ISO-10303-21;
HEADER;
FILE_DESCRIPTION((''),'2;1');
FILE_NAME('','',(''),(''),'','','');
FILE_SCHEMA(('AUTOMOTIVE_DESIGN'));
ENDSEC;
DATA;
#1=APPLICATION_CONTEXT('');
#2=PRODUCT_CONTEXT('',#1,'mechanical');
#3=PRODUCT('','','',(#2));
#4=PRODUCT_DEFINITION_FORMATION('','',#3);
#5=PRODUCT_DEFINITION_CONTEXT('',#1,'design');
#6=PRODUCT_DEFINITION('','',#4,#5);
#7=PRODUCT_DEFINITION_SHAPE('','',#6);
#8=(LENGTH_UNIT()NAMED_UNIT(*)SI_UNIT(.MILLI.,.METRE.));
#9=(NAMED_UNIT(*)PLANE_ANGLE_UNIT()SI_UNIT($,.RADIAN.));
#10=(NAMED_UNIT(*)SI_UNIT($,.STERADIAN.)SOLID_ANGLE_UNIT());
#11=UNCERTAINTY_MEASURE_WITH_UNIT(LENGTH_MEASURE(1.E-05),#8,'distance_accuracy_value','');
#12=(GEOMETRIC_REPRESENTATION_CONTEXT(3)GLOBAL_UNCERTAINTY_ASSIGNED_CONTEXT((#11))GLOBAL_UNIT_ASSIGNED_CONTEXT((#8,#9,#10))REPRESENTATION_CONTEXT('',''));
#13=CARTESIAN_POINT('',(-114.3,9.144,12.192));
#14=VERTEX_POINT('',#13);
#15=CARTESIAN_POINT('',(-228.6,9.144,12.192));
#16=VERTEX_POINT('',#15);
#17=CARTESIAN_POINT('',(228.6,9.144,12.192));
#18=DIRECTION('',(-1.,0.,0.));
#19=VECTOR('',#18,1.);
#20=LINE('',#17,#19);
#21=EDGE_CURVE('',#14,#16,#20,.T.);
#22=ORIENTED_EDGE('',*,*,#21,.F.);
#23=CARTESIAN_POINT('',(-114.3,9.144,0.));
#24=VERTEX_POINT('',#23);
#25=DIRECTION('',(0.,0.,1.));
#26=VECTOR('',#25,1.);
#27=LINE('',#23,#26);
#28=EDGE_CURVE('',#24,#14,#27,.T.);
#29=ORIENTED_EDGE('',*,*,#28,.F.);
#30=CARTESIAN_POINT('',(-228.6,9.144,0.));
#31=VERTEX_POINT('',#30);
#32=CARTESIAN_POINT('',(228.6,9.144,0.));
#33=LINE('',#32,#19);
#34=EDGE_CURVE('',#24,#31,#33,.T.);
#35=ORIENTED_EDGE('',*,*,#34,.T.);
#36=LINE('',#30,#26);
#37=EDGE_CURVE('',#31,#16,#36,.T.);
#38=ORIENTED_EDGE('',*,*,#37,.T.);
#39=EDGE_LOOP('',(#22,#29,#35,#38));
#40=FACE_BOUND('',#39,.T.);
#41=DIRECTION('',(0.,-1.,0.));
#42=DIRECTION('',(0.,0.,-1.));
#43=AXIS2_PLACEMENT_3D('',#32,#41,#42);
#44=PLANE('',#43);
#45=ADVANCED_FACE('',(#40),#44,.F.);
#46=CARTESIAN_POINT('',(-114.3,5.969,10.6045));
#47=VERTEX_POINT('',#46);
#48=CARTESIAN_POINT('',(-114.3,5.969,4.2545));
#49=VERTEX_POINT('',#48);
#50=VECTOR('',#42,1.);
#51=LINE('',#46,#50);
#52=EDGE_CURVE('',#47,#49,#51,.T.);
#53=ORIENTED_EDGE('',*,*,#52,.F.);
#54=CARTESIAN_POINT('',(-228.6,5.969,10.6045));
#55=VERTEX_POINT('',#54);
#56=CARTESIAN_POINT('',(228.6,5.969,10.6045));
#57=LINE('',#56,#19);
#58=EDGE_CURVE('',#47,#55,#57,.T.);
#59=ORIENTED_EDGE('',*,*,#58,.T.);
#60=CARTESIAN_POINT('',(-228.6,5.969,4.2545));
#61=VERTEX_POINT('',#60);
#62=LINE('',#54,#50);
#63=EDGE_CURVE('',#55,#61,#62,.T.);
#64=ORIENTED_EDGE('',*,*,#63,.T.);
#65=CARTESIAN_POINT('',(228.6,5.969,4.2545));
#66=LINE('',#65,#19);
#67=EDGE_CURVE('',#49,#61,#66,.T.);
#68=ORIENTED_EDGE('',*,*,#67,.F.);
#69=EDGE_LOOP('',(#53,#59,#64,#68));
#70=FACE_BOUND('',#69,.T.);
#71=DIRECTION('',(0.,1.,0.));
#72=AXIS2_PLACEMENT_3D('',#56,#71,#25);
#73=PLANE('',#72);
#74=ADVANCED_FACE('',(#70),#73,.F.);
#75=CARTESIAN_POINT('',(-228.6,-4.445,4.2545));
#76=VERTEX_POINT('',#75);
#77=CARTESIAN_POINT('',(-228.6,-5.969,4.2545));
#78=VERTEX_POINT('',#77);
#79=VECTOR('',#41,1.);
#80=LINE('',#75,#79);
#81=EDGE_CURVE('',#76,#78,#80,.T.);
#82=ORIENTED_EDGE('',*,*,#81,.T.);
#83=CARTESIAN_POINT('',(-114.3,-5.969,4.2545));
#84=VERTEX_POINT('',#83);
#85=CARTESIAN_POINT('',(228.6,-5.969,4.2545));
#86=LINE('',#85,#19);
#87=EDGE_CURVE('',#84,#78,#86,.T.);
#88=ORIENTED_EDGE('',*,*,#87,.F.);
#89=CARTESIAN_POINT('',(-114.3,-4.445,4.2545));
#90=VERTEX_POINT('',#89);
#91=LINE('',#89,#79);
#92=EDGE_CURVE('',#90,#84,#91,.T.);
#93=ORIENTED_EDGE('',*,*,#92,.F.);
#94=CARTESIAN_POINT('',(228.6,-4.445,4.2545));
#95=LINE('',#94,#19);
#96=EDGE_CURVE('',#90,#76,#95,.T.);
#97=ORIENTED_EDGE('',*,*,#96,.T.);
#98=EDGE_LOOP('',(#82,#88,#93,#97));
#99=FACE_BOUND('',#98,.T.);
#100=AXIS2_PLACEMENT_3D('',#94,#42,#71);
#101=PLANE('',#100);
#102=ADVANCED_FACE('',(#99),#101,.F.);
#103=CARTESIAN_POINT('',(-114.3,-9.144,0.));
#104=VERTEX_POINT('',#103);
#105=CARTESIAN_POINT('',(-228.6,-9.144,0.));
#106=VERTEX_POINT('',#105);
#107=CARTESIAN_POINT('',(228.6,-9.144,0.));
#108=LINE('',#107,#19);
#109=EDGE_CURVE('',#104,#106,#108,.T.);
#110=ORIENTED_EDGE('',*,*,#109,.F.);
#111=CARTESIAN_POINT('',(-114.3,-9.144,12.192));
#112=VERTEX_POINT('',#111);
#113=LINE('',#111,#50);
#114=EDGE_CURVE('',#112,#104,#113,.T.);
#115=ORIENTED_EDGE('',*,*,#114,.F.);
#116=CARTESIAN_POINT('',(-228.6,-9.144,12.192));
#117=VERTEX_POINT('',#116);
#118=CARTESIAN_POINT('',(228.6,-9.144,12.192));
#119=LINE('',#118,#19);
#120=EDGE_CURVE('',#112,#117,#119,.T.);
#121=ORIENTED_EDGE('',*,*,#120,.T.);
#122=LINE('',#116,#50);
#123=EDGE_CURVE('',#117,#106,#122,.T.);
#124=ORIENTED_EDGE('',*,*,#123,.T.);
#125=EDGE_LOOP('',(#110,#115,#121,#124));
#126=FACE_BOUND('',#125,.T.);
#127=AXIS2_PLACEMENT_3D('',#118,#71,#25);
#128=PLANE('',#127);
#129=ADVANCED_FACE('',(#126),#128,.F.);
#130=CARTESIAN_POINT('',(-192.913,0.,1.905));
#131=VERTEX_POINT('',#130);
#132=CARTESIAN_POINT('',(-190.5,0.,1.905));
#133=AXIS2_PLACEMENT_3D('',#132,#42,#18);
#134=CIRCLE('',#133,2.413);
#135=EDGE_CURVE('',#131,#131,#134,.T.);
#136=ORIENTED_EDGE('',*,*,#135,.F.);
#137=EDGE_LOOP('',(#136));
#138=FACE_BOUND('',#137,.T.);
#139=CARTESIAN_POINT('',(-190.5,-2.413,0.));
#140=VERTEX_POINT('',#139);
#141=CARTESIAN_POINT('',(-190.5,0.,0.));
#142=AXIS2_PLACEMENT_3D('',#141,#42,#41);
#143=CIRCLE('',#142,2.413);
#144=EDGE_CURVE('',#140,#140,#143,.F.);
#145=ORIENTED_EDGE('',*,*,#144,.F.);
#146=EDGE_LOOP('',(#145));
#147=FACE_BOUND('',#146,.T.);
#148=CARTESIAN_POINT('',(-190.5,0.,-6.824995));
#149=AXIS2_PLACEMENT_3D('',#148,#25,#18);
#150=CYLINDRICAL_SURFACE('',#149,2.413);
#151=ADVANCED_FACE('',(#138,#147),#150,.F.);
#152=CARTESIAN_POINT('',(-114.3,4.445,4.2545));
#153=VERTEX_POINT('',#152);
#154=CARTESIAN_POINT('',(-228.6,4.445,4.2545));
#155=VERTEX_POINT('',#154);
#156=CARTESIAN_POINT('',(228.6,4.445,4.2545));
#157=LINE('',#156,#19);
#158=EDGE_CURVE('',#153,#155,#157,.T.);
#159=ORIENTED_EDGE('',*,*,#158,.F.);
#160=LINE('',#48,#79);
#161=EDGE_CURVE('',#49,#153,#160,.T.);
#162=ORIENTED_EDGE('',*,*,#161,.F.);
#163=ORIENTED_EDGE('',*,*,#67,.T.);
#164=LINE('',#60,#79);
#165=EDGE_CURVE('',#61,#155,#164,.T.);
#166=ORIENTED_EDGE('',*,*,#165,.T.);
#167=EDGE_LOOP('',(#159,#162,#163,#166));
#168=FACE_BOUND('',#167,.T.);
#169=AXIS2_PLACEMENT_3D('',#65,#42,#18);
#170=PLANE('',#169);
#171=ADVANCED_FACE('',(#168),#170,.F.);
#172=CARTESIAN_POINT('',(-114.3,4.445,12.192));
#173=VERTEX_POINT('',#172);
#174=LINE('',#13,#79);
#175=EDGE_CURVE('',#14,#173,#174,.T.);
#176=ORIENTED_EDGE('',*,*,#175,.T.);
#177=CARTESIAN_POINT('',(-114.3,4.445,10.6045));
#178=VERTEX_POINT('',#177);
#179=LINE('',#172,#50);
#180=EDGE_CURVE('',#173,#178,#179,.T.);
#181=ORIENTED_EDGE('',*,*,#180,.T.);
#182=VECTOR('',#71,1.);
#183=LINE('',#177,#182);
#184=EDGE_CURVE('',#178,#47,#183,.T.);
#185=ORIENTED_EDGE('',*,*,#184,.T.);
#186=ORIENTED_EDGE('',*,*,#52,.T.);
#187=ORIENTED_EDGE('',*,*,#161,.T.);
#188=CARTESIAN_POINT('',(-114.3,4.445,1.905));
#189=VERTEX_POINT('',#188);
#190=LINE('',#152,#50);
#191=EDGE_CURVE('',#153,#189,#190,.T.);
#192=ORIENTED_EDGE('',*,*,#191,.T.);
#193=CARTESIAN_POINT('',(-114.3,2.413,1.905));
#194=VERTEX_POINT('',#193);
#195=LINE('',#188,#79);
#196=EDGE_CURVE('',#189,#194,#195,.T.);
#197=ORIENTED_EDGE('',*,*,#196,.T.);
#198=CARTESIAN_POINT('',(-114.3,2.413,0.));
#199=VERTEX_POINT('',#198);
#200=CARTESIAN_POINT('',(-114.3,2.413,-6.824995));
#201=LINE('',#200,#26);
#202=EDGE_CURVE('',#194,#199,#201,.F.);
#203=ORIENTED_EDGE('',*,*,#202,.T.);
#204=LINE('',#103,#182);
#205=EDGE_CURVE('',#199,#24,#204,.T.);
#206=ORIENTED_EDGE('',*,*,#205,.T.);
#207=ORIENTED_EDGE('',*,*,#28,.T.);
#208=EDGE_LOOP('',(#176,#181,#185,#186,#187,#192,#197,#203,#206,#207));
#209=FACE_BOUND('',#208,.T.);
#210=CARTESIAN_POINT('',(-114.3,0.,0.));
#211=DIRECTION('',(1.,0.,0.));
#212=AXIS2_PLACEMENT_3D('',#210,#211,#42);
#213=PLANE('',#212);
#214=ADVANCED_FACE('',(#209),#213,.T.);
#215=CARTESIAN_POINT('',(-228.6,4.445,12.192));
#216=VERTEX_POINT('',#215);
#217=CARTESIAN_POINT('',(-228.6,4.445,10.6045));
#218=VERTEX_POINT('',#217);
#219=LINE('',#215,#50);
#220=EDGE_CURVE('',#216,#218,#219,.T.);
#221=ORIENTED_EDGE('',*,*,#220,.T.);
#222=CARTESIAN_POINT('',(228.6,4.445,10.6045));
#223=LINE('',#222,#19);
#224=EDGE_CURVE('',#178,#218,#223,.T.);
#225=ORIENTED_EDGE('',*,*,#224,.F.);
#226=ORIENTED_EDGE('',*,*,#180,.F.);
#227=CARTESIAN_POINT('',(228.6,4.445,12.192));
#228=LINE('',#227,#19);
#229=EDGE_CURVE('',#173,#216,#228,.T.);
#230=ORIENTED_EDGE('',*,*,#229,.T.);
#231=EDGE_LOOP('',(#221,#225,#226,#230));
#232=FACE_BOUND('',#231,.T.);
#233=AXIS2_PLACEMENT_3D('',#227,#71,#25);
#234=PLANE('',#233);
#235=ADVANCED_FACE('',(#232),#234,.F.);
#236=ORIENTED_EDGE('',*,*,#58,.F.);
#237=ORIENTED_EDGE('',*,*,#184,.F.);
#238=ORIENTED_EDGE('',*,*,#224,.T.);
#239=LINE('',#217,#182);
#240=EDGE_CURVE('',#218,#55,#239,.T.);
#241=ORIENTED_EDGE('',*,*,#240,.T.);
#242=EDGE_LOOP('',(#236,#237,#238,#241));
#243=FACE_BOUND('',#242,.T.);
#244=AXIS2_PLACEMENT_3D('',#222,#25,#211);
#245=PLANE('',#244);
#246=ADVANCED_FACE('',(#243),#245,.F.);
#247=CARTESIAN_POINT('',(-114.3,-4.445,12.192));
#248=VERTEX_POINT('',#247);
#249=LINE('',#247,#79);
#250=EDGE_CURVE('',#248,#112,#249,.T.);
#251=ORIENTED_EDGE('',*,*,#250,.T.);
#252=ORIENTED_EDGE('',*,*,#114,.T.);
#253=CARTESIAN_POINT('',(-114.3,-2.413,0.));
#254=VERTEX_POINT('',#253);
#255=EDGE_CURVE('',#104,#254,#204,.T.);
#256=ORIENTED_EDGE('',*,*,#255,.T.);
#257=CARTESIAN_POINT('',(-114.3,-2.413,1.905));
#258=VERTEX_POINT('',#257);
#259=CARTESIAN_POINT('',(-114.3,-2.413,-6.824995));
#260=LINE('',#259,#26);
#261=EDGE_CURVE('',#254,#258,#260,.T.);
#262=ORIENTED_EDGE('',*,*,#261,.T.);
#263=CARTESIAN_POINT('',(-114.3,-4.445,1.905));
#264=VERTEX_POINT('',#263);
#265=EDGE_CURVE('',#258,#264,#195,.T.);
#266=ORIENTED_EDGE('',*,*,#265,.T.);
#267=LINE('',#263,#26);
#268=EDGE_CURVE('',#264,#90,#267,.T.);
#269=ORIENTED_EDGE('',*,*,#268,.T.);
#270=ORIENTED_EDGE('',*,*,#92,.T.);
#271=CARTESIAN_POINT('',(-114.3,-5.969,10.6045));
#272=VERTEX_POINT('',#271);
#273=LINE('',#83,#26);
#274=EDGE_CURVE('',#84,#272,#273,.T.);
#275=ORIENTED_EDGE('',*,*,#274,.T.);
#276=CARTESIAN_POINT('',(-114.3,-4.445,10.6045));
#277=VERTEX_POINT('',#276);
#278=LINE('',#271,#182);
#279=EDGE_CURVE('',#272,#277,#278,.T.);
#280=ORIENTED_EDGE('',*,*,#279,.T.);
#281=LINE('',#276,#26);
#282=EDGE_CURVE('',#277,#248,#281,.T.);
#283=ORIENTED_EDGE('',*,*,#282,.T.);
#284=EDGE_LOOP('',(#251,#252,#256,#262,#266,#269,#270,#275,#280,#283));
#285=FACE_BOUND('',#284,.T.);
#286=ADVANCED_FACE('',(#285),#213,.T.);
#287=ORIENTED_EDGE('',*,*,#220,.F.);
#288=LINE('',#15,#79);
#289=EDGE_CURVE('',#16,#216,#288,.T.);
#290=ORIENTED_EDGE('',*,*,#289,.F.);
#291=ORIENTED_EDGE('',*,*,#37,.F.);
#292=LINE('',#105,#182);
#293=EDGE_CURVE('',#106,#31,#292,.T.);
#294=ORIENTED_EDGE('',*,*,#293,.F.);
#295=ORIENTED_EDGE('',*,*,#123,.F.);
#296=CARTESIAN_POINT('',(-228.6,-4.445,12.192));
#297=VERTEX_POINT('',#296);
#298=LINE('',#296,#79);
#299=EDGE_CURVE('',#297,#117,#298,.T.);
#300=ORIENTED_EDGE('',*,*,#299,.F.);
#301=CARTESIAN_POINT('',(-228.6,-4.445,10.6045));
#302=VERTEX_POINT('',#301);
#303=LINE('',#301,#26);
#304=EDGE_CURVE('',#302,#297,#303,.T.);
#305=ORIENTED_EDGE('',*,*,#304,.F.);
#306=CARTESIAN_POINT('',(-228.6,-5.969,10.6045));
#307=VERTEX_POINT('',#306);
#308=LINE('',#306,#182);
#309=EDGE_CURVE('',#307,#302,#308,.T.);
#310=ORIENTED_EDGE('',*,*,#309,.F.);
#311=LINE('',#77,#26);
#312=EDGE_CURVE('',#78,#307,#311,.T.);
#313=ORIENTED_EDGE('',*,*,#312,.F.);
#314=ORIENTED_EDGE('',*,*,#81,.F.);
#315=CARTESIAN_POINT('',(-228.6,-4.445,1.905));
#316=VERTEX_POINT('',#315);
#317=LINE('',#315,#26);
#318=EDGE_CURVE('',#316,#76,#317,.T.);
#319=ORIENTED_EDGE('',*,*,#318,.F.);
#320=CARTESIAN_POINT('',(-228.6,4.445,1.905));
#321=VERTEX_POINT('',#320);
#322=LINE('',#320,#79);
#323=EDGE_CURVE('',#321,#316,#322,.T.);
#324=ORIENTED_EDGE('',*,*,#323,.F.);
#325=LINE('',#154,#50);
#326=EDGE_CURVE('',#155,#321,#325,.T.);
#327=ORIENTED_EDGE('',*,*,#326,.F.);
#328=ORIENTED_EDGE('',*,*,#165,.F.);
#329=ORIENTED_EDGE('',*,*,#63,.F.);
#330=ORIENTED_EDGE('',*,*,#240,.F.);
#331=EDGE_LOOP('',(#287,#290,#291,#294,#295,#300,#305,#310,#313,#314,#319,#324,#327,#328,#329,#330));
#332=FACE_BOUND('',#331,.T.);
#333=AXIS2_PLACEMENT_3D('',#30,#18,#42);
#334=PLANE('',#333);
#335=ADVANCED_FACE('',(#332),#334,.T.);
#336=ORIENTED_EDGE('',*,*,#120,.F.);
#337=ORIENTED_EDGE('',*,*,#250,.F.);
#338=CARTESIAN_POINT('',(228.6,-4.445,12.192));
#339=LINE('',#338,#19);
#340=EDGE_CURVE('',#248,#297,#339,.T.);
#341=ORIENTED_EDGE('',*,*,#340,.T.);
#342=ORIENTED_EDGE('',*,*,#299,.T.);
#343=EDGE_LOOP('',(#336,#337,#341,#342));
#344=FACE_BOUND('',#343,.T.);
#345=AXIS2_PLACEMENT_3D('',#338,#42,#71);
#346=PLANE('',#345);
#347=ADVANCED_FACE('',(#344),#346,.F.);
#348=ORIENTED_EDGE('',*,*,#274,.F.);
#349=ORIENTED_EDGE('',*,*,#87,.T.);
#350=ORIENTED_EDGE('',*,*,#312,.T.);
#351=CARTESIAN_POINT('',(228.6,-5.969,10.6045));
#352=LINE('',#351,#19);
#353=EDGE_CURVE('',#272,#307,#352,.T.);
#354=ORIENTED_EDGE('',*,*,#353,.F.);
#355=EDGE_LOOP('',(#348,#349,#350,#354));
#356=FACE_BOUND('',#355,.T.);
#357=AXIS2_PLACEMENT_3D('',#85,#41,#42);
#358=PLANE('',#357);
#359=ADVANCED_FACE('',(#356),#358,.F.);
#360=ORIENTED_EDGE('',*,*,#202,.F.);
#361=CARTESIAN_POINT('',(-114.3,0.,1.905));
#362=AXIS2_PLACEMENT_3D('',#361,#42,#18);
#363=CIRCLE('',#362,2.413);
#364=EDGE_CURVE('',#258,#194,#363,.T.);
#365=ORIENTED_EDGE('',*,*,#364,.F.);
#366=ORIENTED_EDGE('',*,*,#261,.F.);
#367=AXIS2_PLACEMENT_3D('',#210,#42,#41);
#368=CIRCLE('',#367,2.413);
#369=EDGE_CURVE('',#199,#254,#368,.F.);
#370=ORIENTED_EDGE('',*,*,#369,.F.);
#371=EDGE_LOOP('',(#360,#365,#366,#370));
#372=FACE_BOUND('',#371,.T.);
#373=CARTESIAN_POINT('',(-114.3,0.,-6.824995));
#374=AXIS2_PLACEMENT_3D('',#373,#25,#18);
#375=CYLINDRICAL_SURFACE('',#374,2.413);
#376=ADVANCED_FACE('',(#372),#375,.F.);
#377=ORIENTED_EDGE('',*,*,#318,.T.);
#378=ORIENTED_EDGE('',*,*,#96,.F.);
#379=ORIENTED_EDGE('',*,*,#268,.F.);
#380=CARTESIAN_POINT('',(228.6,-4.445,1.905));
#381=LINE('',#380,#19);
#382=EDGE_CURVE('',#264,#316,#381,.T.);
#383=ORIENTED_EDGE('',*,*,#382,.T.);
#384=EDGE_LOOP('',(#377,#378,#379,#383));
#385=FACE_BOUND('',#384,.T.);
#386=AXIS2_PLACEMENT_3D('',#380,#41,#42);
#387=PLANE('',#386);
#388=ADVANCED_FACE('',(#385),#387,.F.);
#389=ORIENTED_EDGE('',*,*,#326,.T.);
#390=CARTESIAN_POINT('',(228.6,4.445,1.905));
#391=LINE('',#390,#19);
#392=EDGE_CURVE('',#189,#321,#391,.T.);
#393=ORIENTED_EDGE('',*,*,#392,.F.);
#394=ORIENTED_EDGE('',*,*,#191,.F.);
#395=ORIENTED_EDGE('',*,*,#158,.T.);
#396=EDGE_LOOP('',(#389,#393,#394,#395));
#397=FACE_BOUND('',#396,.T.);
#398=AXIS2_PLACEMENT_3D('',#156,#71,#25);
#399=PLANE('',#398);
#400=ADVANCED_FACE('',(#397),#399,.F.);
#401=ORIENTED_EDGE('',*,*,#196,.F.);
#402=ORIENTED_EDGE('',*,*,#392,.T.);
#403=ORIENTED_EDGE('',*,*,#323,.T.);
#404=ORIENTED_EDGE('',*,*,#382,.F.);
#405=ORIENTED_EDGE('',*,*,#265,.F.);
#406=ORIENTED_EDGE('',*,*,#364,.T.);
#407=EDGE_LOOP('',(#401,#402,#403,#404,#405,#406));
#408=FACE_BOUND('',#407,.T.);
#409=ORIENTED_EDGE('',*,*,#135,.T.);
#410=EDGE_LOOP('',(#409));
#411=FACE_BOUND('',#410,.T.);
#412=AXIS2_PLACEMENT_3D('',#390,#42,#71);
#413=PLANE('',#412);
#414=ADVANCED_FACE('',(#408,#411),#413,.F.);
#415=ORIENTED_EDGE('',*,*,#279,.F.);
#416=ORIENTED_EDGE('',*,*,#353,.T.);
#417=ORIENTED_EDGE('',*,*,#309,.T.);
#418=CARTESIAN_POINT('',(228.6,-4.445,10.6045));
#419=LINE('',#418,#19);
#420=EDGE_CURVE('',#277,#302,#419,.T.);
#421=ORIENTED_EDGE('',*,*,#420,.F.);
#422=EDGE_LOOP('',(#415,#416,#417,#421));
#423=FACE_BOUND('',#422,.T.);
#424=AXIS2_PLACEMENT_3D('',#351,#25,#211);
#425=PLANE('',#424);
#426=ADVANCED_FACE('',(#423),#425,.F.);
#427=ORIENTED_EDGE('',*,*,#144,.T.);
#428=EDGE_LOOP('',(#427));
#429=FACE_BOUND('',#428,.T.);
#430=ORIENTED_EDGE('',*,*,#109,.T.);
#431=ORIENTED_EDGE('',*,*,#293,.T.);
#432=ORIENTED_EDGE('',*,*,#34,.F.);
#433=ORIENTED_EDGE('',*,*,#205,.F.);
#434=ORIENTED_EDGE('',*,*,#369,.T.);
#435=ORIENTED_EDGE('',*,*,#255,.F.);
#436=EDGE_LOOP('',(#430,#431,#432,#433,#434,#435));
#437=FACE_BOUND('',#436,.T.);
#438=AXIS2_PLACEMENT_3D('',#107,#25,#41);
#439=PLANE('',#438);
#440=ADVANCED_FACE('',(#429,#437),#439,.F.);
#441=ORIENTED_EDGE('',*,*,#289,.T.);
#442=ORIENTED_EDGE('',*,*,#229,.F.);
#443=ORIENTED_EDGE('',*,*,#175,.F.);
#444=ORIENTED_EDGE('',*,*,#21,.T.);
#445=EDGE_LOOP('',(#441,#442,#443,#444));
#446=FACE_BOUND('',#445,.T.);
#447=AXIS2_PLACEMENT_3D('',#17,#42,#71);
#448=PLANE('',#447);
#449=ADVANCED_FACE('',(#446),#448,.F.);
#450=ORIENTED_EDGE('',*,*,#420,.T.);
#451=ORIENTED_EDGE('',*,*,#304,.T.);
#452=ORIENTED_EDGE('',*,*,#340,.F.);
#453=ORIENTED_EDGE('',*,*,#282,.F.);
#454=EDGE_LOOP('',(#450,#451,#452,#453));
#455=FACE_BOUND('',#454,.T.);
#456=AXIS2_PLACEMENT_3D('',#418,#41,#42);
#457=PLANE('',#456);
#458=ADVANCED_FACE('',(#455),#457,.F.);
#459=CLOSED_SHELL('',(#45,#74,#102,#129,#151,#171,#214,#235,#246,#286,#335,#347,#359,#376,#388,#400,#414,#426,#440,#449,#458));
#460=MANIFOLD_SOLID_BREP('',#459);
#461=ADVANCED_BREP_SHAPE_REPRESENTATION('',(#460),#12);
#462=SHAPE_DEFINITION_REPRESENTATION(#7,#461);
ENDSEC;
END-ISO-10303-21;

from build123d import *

# Parameters (mm, degrees)
BOSS_EXTRUDE1_DEPTH = 228.6
SKETCH3_R           = 2.413
CUT_EXTRUDE1_DEPTH  = 1.905
LPATTERN1_COUNT     = 3
LPATTERN1_PITCH     = 76.2
SKETCH4_W           = 22.804701919
SKETCH4_H           = 24.737303777
CUT_EXTRUDE2_DEPTH  = 342.9


with BuildPart() as part:
    # Sketch2 → Boss-Extrude1 (new, symmetric)
    with BuildSketch(Plane(origin=(0, 0, 0), x_dir=(0, 0, -1), z_dir=(1, 0, 0))):
        Polygon((0, 9.144), (-12.192, 9.144), (-12.192, 4.445), (-10.6045, 4.445), (-10.6045, 5.969), (-4.2545, 5.969), (-4.2545, 4.445), (-1.905, 4.445), (-1.905, -4.445), (-4.2545, -4.445), (-4.2545, -5.969), (-10.6045, -5.969), (-10.6045, -4.445), (-12.192, -4.445), (-12.192, -9.144), (0, -9.144), align=None)
    extrude(amount=BOSS_EXTRUDE1_DEPTH, both=True)

    # Sketch3 → Cut-Extrude1 (cut)
    with BuildSketch(Plane.XY.offset(1.905)):
        with Locations((38.1, 0)):
            Circle(SKETCH3_R)
    cut_extrude1 = extrude(amount=-CUT_EXTRUDE1_DEPTH, mode=Mode.SUBTRACT)

    # LPattern1: Cut-Extrude1 ×3
    with Locations(*[(i * LPATTERN1_PITCH, 0, 0) for i in range(1, LPATTERN1_COUNT)]):
        add(cut_extrude1, mode=Mode.SUBTRACT)

    # SurfaceCut1
    split(bisect_by=Plane(origin=(0, 0, 0), x_dir=(0, 0, -1), z_dir=(1, 0, 0)), keep=Keep.TOP)

    # Mirror1: part across plane


with BuildPart() as part_1:
    add(part.part)
    add(part.part.mirror(Plane(origin=(0, 0, 0), x_dir=(0, 0, 1), z_dir=(1, 0, 0))))

    # Sketch4 → Cut-Extrude2 (cut)
    with BuildSketch(Plane(origin=(228.6, 0, 0), x_dir=(0, 0, -1), z_dir=(1, 0, 0))):
        with Locations((-5.709479629, -0.367194353)):
            Rectangle(SKETCH4_W, SKETCH4_H)
    extrude(amount=-CUT_EXTRUDE2_DEPTH, mode=Mode.SUBTRACT)


solid = part_1.part
